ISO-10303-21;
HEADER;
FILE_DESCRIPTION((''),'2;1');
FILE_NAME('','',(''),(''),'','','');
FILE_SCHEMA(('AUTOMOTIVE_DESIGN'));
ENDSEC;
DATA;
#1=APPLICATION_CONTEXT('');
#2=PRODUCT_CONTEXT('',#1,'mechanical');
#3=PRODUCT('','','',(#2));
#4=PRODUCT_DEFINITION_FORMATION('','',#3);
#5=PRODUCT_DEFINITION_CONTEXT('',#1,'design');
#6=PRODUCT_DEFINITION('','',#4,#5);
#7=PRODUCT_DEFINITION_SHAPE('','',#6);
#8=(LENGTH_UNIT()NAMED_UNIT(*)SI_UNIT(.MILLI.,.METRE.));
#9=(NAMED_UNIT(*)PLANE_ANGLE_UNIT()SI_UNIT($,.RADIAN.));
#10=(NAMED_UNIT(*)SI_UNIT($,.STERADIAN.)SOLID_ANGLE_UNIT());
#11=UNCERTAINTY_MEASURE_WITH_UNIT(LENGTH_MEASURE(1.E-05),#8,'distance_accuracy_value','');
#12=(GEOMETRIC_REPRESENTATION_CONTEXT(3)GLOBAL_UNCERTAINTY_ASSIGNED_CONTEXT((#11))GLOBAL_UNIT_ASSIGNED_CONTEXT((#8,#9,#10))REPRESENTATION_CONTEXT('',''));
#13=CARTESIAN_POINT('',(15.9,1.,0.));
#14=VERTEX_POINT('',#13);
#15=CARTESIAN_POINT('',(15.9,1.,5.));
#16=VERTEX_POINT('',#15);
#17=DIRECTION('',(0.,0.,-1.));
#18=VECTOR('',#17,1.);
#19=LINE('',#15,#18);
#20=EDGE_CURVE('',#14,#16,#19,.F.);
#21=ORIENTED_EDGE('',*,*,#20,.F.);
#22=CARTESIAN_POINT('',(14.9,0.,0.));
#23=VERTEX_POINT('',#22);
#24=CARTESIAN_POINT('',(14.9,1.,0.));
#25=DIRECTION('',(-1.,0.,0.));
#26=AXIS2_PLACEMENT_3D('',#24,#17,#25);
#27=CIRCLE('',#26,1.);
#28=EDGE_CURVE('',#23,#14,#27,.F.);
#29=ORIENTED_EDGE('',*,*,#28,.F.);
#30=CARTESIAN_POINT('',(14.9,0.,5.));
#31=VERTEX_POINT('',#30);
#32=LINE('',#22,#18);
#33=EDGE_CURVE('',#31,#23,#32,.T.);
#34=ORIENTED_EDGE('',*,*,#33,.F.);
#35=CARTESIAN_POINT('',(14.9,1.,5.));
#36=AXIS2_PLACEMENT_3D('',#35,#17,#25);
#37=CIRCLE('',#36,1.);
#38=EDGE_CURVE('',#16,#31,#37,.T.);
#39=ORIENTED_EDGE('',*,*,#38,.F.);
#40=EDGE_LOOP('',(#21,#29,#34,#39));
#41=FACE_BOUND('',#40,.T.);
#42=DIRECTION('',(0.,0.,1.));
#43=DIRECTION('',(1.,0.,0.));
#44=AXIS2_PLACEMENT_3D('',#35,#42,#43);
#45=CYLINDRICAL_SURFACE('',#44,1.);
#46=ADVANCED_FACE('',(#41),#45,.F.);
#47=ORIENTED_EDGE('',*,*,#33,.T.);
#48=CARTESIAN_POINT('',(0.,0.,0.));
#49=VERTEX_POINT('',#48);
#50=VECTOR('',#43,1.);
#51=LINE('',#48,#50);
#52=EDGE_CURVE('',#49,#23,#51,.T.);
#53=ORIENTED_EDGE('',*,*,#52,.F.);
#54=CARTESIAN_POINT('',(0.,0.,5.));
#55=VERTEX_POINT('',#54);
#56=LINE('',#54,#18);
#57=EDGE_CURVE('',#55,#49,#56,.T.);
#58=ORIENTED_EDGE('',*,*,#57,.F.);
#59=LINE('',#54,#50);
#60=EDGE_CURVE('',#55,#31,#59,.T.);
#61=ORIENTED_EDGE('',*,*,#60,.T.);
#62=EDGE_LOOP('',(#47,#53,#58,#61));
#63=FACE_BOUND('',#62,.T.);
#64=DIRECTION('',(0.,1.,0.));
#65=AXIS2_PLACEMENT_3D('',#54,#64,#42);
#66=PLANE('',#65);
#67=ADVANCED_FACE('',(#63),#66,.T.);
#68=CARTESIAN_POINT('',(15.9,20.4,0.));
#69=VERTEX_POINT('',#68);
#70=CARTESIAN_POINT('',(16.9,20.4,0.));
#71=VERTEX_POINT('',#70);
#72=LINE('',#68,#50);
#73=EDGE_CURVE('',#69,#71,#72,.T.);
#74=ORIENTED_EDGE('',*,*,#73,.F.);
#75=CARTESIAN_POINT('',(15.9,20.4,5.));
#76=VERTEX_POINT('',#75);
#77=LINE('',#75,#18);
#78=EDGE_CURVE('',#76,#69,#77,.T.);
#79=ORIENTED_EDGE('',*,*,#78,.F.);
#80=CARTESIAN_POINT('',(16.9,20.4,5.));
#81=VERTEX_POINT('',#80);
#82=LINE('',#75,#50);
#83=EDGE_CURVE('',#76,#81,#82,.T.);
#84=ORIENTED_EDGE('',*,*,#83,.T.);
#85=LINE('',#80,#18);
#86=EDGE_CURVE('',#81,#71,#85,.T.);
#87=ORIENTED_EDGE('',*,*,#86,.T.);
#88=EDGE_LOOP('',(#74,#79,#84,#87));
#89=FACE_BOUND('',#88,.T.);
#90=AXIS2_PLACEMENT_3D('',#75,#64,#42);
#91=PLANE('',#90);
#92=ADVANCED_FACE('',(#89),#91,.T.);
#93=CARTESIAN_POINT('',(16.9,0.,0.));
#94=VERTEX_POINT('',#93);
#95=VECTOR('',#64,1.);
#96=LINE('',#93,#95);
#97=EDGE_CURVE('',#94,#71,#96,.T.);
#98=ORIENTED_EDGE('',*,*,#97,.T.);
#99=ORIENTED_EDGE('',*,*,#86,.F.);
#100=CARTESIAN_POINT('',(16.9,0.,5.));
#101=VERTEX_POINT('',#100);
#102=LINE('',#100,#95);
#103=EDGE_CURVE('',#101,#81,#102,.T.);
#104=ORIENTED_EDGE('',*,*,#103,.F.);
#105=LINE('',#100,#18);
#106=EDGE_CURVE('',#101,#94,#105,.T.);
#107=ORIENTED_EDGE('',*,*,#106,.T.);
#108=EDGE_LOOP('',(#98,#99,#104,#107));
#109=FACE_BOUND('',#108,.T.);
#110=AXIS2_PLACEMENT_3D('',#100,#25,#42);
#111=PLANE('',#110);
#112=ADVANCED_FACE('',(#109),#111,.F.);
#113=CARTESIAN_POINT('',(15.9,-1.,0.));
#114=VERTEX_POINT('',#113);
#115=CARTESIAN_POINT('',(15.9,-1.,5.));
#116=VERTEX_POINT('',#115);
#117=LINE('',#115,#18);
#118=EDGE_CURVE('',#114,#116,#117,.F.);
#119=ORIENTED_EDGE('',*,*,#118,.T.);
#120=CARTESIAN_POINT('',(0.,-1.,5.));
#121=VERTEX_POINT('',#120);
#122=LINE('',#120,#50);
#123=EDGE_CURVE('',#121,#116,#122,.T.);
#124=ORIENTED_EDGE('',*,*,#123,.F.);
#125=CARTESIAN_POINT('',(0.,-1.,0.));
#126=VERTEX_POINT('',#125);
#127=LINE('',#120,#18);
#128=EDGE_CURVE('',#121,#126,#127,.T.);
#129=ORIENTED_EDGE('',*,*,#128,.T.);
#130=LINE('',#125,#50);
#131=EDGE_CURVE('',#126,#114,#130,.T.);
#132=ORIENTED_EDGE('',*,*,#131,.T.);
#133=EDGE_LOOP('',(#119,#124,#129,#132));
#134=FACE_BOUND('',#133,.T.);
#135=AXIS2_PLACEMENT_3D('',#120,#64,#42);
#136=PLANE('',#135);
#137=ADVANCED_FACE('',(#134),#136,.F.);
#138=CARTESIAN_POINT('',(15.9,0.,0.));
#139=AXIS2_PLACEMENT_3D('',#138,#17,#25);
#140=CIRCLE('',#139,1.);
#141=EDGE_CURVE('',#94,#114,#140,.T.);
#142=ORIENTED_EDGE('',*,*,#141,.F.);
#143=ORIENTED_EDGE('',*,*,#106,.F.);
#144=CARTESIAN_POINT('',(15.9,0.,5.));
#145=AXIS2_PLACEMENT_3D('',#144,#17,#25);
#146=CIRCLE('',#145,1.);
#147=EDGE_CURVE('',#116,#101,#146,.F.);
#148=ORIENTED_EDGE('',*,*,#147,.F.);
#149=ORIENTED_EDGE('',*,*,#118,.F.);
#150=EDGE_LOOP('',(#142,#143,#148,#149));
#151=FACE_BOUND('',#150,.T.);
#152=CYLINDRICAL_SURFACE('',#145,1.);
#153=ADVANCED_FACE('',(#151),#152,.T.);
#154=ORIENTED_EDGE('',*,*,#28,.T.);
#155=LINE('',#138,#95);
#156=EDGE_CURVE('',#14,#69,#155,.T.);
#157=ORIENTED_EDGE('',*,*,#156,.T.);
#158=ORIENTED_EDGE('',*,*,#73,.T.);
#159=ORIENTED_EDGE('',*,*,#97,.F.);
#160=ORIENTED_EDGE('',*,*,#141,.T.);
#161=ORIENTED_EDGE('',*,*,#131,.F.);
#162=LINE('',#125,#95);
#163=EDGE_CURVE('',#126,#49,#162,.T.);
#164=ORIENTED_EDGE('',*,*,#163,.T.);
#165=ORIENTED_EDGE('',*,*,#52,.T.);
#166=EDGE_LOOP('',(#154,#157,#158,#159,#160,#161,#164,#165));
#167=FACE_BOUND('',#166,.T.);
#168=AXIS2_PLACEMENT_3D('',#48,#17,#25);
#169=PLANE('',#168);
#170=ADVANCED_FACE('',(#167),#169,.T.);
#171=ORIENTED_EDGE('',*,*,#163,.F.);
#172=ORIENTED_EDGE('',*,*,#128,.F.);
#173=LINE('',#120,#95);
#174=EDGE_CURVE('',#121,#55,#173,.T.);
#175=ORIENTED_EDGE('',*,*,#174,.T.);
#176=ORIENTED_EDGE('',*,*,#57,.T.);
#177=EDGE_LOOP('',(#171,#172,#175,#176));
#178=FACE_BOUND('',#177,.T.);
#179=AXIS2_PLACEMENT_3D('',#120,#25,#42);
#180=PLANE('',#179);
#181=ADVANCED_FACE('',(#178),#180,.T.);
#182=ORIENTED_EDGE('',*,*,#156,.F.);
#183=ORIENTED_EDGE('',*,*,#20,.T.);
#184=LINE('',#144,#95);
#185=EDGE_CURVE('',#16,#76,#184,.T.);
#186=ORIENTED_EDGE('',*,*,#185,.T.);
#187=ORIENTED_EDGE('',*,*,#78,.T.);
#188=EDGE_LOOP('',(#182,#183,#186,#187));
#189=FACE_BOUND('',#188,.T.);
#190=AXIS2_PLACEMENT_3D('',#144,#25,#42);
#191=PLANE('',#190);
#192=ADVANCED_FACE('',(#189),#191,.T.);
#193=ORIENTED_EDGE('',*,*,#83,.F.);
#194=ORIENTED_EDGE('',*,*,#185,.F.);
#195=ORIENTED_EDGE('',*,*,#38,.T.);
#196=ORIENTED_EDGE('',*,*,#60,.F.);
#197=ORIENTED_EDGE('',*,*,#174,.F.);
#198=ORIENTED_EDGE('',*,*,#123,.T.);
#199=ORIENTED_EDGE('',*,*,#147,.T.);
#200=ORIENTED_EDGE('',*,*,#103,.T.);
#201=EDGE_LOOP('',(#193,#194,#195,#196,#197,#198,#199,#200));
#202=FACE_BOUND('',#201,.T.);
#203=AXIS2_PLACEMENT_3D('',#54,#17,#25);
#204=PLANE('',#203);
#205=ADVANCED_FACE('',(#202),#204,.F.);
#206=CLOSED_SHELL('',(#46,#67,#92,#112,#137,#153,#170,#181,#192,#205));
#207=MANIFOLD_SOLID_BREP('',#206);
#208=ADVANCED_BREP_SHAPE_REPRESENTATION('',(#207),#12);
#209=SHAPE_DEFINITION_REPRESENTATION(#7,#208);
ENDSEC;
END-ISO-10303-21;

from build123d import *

# Parameters (mm, degrees)
EXTRUDE_THIN1_DEPTH = 5
FILLET1_R           = 1


with BuildPart() as part:
    # Sketch1 → Extrude-Thin1 (new body)
    with BuildSketch(Plane.XY):
        Polygon((0, 0), (15.9, 0), (15.9, 20.4), (16.9, 20.4), (16.9, -1), (0, -1), align=None)
    extrude(amount=EXTRUDE_THIN1_DEPTH)

    # Fillet1
    fillet1_edges = [part.edges().sort_by_distance(p)[0] for p in [
        (16.9, -1, 2.5),
        (15.9, 0, 2.5),
    ]]
    fillet(fillet1_edges, radius=FILLET1_R)


solid = part.part
